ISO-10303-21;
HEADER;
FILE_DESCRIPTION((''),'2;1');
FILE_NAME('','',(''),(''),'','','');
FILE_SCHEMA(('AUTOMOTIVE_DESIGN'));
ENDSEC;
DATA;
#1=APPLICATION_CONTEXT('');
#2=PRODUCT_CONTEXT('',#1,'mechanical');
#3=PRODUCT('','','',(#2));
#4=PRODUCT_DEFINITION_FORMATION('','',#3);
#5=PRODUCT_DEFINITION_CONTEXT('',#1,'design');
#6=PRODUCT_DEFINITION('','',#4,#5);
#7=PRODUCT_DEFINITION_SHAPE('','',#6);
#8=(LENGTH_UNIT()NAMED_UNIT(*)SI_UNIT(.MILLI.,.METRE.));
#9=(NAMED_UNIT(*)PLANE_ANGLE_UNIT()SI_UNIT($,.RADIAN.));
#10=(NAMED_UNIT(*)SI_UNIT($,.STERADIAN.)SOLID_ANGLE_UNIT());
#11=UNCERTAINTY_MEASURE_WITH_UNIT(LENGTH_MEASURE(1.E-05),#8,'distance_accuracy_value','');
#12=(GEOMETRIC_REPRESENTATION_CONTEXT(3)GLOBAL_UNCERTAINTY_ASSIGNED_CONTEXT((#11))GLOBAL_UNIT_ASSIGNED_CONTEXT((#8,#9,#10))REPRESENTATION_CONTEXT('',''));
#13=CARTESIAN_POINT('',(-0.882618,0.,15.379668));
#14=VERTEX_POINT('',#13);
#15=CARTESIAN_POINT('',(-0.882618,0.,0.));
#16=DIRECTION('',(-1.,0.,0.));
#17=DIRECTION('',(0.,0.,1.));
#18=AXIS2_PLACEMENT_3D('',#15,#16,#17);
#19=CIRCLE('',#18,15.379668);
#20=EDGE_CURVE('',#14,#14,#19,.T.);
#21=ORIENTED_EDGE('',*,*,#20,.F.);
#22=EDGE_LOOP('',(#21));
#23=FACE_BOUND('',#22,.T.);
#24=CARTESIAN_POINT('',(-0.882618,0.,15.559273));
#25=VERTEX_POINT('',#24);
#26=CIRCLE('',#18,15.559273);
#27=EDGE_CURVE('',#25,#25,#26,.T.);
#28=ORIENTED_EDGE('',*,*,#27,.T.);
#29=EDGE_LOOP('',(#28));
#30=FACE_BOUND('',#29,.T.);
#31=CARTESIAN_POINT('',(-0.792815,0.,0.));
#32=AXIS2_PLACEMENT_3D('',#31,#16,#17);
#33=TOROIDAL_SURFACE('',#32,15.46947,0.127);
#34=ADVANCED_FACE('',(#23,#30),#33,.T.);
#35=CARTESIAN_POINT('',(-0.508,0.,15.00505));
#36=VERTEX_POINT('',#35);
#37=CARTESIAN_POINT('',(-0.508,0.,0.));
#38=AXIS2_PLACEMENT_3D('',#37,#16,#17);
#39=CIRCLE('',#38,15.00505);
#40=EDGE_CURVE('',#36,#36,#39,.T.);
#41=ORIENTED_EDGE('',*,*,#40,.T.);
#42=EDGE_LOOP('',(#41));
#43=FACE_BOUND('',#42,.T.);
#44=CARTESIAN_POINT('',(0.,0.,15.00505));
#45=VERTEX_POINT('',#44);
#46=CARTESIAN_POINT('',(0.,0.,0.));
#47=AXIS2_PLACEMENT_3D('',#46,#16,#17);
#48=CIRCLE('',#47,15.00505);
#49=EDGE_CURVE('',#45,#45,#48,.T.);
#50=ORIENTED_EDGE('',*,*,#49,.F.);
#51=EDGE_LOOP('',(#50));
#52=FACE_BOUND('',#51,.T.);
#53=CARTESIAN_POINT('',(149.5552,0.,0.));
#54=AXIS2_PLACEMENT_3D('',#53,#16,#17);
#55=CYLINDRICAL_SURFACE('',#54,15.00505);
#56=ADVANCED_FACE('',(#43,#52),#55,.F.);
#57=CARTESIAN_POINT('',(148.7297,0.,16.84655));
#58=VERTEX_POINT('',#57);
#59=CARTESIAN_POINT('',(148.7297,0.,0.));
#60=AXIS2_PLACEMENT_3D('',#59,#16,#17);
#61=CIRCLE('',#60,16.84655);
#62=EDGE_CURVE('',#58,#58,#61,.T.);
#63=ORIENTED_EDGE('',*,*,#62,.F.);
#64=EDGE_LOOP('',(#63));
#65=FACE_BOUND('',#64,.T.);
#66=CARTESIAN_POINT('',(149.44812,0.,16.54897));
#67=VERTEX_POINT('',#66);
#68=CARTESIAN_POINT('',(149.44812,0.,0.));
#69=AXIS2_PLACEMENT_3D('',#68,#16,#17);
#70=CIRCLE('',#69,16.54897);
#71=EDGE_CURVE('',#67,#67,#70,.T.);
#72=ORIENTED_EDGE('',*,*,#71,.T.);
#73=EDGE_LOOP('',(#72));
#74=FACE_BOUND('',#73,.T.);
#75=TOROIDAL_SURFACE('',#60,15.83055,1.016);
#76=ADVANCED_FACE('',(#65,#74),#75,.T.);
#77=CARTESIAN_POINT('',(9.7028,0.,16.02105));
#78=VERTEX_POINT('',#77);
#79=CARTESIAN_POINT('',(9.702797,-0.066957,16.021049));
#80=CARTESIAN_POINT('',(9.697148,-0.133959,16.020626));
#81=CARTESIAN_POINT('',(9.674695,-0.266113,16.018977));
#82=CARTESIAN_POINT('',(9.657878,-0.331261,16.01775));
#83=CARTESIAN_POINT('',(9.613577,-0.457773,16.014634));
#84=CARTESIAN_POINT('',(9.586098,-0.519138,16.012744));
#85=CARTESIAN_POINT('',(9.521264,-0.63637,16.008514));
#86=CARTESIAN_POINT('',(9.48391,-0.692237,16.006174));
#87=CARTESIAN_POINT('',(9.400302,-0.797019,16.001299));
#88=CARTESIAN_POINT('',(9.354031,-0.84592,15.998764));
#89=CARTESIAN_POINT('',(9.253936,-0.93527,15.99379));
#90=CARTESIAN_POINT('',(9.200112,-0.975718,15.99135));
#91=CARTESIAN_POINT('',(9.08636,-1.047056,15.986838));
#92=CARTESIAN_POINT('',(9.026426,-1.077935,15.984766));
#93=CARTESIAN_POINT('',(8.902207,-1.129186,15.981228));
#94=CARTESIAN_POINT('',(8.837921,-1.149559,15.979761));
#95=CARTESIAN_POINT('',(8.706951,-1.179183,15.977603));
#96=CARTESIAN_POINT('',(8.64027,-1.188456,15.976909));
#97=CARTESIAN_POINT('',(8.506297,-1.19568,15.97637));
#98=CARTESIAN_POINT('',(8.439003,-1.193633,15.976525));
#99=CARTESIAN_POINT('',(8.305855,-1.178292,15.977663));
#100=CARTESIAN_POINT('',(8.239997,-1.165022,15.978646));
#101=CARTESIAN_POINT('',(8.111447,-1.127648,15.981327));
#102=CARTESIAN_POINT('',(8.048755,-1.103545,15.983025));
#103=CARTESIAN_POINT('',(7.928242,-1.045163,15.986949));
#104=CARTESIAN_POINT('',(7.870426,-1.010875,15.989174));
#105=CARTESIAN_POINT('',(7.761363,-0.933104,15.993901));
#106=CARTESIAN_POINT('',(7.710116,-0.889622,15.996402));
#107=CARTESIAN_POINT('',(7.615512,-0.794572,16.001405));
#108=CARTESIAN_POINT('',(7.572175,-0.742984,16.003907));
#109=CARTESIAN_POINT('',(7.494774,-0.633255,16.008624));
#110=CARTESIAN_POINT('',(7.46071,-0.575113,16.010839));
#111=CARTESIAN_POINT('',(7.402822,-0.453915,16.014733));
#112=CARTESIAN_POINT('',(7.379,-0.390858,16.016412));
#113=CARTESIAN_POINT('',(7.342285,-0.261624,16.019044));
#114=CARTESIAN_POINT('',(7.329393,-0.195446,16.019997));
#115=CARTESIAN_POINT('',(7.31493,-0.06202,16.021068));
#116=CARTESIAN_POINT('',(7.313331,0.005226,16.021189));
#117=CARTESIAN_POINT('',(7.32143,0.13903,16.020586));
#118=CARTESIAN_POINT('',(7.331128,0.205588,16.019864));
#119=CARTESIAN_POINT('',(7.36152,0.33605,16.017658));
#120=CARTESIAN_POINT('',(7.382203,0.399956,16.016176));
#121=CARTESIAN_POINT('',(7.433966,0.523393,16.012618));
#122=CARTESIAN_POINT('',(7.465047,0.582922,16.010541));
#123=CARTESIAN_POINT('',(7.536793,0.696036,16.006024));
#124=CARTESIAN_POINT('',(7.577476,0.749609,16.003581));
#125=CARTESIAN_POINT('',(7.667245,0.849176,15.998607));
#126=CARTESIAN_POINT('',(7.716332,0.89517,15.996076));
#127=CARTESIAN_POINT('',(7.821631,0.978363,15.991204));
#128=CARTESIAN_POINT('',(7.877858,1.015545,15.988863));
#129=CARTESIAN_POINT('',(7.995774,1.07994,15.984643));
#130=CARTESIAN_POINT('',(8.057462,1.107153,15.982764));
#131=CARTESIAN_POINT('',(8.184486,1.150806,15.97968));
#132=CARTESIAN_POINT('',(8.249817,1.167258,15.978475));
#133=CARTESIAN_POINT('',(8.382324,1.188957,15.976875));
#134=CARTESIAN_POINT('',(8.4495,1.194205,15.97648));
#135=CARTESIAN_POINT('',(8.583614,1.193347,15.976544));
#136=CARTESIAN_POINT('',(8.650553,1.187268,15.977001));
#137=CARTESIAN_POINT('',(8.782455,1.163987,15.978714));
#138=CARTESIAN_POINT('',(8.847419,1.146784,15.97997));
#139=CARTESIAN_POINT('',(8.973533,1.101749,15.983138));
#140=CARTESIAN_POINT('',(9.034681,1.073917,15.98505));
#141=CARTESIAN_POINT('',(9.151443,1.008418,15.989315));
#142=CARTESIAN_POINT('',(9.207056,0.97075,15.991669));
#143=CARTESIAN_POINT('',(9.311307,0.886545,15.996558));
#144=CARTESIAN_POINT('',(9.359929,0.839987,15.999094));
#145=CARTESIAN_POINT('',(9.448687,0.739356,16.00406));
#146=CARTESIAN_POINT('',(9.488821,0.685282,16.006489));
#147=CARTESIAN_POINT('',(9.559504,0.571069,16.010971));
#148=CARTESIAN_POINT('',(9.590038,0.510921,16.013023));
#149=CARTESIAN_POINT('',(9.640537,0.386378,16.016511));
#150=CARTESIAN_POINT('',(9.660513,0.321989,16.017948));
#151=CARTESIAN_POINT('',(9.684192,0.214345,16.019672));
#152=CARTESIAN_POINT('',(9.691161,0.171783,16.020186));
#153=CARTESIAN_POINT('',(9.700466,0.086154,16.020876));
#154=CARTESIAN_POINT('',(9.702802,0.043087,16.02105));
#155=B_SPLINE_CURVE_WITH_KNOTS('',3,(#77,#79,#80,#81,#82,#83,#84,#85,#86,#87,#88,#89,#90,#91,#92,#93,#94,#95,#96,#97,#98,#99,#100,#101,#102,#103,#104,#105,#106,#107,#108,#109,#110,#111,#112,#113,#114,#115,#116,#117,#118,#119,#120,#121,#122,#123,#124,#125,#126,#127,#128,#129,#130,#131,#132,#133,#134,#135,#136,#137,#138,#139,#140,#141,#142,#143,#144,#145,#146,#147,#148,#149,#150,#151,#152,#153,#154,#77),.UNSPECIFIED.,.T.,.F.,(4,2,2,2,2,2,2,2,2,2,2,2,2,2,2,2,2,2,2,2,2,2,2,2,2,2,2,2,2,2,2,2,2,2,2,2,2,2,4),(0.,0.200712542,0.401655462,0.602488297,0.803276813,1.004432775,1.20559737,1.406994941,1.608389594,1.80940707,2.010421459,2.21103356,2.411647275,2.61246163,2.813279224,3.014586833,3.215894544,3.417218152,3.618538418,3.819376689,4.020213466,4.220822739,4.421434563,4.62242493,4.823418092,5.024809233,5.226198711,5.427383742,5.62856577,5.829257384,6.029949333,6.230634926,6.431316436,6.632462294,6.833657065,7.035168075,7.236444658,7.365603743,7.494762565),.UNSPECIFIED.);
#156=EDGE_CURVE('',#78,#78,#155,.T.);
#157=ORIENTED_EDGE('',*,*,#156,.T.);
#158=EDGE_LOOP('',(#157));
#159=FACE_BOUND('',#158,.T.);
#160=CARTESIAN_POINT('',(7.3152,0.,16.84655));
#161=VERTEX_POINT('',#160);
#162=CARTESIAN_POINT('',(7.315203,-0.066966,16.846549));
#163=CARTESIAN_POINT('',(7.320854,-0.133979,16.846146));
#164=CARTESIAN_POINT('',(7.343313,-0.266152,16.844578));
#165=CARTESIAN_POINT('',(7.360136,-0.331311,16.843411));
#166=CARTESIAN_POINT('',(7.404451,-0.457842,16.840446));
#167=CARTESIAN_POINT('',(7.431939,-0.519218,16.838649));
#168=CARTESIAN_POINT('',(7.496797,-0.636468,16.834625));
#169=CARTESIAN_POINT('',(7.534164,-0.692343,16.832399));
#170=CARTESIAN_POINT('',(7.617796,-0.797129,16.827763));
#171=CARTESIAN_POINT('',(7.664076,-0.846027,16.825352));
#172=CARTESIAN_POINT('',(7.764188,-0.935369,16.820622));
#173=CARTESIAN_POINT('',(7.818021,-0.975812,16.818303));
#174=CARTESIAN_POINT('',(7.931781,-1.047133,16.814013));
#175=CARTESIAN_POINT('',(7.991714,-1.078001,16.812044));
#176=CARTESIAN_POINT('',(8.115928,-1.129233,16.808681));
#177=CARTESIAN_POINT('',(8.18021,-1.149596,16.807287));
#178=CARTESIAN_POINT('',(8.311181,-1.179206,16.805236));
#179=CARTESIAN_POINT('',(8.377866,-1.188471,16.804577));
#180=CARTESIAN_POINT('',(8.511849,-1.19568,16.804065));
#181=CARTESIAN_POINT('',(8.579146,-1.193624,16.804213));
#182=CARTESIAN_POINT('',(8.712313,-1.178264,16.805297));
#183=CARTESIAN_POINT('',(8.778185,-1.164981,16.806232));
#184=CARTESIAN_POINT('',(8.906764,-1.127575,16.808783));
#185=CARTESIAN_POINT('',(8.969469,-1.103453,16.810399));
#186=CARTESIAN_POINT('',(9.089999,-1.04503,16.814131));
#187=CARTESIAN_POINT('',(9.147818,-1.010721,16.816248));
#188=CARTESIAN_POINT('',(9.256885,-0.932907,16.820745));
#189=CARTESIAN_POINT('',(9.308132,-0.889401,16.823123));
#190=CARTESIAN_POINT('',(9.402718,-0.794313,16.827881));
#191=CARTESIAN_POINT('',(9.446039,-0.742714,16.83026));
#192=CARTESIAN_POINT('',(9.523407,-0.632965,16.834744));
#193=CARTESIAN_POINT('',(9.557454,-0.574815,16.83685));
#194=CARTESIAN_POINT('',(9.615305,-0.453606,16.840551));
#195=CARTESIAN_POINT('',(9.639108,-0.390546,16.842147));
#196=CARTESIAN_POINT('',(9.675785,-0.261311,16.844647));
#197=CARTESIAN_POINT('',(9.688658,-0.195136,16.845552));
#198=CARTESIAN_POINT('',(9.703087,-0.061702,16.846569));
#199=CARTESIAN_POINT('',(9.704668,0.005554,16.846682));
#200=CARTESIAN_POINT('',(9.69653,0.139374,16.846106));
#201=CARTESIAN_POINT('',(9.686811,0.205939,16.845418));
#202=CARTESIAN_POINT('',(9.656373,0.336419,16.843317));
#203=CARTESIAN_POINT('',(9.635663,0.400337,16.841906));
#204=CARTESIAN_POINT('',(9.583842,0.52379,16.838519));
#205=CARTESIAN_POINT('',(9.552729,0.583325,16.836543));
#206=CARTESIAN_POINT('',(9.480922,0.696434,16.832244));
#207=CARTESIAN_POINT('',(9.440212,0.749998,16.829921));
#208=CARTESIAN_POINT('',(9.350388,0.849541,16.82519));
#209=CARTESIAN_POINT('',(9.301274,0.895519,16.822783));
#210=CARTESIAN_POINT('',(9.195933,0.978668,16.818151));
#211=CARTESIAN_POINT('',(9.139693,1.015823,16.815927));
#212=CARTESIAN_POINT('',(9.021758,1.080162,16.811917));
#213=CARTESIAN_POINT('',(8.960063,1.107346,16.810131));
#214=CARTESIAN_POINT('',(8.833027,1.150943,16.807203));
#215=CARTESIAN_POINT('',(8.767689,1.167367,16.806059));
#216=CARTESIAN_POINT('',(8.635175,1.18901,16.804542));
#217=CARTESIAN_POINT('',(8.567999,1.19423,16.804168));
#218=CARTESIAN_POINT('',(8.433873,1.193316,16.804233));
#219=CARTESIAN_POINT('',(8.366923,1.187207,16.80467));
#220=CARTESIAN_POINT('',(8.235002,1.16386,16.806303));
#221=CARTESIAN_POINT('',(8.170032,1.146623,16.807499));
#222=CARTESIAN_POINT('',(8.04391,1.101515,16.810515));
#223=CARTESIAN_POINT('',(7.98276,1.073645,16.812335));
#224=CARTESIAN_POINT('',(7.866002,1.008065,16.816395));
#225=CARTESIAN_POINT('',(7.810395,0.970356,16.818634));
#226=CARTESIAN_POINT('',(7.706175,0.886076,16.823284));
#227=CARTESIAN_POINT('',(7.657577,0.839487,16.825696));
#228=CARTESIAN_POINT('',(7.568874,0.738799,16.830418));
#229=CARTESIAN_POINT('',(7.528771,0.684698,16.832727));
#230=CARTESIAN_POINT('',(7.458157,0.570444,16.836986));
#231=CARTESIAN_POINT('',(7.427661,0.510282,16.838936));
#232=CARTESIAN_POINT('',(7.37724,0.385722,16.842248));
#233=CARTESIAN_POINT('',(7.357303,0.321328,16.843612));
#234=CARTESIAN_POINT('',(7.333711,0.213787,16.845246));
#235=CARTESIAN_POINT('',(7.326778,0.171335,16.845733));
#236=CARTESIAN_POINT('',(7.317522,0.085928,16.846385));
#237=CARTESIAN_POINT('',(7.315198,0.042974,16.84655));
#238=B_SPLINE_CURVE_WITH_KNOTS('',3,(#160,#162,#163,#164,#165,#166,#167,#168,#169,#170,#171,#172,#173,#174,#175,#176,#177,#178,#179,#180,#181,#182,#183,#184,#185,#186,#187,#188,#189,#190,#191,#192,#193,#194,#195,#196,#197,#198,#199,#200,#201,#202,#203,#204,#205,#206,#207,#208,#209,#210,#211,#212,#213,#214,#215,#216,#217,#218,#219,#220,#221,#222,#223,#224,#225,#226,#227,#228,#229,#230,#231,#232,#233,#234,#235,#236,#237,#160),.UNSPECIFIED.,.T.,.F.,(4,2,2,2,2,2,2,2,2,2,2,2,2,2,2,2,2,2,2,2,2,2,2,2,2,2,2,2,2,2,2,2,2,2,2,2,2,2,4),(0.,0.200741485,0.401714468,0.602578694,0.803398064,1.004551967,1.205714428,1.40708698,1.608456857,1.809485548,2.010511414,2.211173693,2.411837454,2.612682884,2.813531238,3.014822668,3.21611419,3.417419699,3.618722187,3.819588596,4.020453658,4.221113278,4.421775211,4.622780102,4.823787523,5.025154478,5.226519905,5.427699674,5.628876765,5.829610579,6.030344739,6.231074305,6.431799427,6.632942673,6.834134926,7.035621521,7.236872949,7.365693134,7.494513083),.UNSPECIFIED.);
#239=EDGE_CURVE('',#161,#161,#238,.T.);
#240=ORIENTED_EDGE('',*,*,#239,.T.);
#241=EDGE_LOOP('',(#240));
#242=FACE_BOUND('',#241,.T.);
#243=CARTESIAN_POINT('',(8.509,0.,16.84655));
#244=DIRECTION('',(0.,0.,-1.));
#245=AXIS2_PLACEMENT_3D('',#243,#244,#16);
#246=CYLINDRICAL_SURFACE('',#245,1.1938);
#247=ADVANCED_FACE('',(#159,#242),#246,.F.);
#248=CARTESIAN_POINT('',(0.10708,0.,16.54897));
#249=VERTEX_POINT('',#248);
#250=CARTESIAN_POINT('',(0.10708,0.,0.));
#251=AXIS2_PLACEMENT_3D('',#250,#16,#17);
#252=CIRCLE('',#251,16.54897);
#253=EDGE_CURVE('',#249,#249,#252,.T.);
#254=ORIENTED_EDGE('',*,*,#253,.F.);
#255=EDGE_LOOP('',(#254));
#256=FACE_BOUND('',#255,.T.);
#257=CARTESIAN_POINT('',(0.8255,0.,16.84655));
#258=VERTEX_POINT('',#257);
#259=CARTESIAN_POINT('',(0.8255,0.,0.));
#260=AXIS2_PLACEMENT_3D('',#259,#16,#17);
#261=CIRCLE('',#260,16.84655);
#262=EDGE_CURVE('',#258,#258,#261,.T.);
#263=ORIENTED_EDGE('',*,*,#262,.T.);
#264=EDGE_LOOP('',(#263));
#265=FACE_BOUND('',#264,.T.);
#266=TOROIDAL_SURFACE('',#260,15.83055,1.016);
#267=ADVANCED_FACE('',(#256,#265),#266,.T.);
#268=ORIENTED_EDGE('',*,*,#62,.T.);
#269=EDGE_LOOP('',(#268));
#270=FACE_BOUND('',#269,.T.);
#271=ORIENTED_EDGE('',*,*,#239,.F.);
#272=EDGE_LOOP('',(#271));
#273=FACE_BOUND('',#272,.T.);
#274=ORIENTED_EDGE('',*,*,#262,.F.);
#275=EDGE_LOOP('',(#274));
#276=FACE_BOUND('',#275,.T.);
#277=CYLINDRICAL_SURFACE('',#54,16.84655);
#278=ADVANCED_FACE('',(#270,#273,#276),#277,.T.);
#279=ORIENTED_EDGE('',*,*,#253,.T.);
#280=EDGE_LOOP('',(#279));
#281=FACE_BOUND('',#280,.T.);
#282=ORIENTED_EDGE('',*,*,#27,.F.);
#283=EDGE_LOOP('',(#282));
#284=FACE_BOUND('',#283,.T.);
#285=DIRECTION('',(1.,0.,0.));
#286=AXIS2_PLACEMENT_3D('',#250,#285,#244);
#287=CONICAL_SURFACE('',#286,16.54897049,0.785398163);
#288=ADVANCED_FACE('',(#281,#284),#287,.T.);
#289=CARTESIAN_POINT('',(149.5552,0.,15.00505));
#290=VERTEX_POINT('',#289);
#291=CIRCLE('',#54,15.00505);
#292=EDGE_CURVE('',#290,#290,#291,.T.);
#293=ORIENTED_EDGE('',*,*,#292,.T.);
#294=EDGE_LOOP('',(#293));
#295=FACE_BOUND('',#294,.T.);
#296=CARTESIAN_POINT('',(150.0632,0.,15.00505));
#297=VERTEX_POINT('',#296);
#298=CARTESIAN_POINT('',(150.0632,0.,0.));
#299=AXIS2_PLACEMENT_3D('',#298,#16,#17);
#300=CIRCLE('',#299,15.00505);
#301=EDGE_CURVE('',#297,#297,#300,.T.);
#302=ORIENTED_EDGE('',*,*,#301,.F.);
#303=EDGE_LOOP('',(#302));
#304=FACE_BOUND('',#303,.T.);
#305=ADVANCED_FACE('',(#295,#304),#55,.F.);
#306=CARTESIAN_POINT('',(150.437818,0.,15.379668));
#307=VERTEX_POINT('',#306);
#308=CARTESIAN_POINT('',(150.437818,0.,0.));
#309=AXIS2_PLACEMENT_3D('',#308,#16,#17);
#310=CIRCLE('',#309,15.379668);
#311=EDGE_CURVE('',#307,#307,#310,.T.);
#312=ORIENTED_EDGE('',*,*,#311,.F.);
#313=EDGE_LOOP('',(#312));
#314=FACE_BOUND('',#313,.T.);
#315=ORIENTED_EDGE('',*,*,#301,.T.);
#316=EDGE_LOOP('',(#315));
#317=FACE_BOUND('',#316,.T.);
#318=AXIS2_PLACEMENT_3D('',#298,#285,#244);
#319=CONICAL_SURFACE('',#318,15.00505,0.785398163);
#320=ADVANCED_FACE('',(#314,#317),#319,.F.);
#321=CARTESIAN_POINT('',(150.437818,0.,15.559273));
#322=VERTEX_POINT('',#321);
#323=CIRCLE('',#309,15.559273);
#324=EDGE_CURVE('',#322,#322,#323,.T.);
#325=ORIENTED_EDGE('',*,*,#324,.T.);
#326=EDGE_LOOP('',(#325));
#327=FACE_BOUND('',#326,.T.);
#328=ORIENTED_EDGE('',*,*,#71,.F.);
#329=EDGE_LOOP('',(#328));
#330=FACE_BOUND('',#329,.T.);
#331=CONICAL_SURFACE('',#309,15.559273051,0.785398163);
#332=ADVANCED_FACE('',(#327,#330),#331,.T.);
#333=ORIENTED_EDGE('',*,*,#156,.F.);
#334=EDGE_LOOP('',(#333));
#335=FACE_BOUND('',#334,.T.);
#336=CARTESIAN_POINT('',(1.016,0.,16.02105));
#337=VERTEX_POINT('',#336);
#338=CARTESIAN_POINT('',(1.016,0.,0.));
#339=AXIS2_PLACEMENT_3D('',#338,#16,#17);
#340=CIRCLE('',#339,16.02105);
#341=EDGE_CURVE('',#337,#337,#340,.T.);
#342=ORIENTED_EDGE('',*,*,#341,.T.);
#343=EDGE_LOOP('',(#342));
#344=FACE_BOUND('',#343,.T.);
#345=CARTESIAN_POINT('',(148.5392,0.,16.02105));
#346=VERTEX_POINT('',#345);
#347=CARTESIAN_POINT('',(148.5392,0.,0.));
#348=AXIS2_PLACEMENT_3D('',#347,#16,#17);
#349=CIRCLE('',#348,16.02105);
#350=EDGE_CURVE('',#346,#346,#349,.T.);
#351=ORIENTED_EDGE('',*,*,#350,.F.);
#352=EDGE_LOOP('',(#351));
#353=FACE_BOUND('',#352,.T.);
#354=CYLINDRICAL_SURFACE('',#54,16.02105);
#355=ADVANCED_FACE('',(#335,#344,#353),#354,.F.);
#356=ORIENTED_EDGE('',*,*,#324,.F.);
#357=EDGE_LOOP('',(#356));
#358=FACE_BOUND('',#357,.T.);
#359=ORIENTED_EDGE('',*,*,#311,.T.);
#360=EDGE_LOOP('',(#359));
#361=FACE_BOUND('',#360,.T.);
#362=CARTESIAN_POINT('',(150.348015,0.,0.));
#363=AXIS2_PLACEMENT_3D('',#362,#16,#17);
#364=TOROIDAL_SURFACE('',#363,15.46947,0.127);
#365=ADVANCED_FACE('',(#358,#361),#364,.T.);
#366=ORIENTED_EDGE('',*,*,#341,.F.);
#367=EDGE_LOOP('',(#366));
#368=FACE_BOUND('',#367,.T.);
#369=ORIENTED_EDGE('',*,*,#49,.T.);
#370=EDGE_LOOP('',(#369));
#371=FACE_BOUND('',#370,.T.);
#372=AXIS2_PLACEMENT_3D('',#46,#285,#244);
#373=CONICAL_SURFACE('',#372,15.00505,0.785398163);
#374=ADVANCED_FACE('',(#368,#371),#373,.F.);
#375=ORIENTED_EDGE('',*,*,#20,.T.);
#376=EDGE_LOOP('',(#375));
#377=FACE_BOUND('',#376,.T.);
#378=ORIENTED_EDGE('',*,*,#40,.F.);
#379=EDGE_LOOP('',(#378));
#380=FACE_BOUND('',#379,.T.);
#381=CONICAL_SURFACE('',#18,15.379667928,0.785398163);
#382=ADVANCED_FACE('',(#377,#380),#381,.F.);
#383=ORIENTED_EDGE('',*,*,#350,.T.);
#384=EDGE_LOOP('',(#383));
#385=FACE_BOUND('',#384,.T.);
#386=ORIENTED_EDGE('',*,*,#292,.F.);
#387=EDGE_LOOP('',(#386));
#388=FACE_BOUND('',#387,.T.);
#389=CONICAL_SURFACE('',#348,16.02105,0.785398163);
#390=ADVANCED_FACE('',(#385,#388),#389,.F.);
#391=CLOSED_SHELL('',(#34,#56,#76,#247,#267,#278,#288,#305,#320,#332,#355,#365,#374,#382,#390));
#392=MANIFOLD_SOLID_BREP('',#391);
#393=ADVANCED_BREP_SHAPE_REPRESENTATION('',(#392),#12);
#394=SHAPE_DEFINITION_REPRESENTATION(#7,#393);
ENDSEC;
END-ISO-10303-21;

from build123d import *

# Parameters (mm, degrees)
SKETCH2_R          = 1.1938
CUT_EXTRUDE1_DEPTH = 16.84655


with BuildPart() as part:
    # Sketch1 → Revolve1 (revolve)
    with BuildSketch(Plane.XY):
        with BuildLine():
            Line((-0.882617928, 15.379667928), (-0.508, 15.00505))
            Line((-0.508, 15.00505), (0, 15.00505))
            Line((0, 15.00505), (1.016, 16.02105))
            Line((1.016, 16.02105), (148.5392, 16.02105))
            Line((148.5392, 16.02105), (149.5552, 15.00505))
            Line((149.5552, 15.00505), (150.0632, 15.00505))
            Line((150.0632, 15.00505), (150.437817928, 15.379667928))
            ThreePointArc((150.437817928, 15.379667928), (150.475015367, 15.46947049), (150.437817928, 15.559273051))
            Line((150.437817928, 15.559273051), (149.44812049, 16.54897049))
            ThreePointArc((149.44812049, 16.54897049), (149.118506367, 16.769211605), (148.7297, 16.84655))
            Line((148.7297, 16.84655), (0.8255, 16.84655))
            ThreePointArc((0.8255, 16.84655), (0.436693633, 16.769211605), (0.10707951, 16.54897049))
            Line((0.10707951, 16.54897049), (-0.882617928, 15.559273051))
            ThreePointArc((-0.882617928, 15.559273051), (-0.919815367, 15.46947049), (-0.882617928, 15.379667928))
        make_face()
    revolve(axis=Axis((149.5552, 0, 0), (-1, 0, 0)))

    # Sketch2 → Cut-Extrude1 (cut)
    with BuildSketch(Plane.XY):
        with Locations((8.509, 0)):
            Circle(SKETCH2_R)
    extrude(amount=CUT_EXTRUDE1_DEPTH, mode=Mode.SUBTRACT)


solid = part.part
